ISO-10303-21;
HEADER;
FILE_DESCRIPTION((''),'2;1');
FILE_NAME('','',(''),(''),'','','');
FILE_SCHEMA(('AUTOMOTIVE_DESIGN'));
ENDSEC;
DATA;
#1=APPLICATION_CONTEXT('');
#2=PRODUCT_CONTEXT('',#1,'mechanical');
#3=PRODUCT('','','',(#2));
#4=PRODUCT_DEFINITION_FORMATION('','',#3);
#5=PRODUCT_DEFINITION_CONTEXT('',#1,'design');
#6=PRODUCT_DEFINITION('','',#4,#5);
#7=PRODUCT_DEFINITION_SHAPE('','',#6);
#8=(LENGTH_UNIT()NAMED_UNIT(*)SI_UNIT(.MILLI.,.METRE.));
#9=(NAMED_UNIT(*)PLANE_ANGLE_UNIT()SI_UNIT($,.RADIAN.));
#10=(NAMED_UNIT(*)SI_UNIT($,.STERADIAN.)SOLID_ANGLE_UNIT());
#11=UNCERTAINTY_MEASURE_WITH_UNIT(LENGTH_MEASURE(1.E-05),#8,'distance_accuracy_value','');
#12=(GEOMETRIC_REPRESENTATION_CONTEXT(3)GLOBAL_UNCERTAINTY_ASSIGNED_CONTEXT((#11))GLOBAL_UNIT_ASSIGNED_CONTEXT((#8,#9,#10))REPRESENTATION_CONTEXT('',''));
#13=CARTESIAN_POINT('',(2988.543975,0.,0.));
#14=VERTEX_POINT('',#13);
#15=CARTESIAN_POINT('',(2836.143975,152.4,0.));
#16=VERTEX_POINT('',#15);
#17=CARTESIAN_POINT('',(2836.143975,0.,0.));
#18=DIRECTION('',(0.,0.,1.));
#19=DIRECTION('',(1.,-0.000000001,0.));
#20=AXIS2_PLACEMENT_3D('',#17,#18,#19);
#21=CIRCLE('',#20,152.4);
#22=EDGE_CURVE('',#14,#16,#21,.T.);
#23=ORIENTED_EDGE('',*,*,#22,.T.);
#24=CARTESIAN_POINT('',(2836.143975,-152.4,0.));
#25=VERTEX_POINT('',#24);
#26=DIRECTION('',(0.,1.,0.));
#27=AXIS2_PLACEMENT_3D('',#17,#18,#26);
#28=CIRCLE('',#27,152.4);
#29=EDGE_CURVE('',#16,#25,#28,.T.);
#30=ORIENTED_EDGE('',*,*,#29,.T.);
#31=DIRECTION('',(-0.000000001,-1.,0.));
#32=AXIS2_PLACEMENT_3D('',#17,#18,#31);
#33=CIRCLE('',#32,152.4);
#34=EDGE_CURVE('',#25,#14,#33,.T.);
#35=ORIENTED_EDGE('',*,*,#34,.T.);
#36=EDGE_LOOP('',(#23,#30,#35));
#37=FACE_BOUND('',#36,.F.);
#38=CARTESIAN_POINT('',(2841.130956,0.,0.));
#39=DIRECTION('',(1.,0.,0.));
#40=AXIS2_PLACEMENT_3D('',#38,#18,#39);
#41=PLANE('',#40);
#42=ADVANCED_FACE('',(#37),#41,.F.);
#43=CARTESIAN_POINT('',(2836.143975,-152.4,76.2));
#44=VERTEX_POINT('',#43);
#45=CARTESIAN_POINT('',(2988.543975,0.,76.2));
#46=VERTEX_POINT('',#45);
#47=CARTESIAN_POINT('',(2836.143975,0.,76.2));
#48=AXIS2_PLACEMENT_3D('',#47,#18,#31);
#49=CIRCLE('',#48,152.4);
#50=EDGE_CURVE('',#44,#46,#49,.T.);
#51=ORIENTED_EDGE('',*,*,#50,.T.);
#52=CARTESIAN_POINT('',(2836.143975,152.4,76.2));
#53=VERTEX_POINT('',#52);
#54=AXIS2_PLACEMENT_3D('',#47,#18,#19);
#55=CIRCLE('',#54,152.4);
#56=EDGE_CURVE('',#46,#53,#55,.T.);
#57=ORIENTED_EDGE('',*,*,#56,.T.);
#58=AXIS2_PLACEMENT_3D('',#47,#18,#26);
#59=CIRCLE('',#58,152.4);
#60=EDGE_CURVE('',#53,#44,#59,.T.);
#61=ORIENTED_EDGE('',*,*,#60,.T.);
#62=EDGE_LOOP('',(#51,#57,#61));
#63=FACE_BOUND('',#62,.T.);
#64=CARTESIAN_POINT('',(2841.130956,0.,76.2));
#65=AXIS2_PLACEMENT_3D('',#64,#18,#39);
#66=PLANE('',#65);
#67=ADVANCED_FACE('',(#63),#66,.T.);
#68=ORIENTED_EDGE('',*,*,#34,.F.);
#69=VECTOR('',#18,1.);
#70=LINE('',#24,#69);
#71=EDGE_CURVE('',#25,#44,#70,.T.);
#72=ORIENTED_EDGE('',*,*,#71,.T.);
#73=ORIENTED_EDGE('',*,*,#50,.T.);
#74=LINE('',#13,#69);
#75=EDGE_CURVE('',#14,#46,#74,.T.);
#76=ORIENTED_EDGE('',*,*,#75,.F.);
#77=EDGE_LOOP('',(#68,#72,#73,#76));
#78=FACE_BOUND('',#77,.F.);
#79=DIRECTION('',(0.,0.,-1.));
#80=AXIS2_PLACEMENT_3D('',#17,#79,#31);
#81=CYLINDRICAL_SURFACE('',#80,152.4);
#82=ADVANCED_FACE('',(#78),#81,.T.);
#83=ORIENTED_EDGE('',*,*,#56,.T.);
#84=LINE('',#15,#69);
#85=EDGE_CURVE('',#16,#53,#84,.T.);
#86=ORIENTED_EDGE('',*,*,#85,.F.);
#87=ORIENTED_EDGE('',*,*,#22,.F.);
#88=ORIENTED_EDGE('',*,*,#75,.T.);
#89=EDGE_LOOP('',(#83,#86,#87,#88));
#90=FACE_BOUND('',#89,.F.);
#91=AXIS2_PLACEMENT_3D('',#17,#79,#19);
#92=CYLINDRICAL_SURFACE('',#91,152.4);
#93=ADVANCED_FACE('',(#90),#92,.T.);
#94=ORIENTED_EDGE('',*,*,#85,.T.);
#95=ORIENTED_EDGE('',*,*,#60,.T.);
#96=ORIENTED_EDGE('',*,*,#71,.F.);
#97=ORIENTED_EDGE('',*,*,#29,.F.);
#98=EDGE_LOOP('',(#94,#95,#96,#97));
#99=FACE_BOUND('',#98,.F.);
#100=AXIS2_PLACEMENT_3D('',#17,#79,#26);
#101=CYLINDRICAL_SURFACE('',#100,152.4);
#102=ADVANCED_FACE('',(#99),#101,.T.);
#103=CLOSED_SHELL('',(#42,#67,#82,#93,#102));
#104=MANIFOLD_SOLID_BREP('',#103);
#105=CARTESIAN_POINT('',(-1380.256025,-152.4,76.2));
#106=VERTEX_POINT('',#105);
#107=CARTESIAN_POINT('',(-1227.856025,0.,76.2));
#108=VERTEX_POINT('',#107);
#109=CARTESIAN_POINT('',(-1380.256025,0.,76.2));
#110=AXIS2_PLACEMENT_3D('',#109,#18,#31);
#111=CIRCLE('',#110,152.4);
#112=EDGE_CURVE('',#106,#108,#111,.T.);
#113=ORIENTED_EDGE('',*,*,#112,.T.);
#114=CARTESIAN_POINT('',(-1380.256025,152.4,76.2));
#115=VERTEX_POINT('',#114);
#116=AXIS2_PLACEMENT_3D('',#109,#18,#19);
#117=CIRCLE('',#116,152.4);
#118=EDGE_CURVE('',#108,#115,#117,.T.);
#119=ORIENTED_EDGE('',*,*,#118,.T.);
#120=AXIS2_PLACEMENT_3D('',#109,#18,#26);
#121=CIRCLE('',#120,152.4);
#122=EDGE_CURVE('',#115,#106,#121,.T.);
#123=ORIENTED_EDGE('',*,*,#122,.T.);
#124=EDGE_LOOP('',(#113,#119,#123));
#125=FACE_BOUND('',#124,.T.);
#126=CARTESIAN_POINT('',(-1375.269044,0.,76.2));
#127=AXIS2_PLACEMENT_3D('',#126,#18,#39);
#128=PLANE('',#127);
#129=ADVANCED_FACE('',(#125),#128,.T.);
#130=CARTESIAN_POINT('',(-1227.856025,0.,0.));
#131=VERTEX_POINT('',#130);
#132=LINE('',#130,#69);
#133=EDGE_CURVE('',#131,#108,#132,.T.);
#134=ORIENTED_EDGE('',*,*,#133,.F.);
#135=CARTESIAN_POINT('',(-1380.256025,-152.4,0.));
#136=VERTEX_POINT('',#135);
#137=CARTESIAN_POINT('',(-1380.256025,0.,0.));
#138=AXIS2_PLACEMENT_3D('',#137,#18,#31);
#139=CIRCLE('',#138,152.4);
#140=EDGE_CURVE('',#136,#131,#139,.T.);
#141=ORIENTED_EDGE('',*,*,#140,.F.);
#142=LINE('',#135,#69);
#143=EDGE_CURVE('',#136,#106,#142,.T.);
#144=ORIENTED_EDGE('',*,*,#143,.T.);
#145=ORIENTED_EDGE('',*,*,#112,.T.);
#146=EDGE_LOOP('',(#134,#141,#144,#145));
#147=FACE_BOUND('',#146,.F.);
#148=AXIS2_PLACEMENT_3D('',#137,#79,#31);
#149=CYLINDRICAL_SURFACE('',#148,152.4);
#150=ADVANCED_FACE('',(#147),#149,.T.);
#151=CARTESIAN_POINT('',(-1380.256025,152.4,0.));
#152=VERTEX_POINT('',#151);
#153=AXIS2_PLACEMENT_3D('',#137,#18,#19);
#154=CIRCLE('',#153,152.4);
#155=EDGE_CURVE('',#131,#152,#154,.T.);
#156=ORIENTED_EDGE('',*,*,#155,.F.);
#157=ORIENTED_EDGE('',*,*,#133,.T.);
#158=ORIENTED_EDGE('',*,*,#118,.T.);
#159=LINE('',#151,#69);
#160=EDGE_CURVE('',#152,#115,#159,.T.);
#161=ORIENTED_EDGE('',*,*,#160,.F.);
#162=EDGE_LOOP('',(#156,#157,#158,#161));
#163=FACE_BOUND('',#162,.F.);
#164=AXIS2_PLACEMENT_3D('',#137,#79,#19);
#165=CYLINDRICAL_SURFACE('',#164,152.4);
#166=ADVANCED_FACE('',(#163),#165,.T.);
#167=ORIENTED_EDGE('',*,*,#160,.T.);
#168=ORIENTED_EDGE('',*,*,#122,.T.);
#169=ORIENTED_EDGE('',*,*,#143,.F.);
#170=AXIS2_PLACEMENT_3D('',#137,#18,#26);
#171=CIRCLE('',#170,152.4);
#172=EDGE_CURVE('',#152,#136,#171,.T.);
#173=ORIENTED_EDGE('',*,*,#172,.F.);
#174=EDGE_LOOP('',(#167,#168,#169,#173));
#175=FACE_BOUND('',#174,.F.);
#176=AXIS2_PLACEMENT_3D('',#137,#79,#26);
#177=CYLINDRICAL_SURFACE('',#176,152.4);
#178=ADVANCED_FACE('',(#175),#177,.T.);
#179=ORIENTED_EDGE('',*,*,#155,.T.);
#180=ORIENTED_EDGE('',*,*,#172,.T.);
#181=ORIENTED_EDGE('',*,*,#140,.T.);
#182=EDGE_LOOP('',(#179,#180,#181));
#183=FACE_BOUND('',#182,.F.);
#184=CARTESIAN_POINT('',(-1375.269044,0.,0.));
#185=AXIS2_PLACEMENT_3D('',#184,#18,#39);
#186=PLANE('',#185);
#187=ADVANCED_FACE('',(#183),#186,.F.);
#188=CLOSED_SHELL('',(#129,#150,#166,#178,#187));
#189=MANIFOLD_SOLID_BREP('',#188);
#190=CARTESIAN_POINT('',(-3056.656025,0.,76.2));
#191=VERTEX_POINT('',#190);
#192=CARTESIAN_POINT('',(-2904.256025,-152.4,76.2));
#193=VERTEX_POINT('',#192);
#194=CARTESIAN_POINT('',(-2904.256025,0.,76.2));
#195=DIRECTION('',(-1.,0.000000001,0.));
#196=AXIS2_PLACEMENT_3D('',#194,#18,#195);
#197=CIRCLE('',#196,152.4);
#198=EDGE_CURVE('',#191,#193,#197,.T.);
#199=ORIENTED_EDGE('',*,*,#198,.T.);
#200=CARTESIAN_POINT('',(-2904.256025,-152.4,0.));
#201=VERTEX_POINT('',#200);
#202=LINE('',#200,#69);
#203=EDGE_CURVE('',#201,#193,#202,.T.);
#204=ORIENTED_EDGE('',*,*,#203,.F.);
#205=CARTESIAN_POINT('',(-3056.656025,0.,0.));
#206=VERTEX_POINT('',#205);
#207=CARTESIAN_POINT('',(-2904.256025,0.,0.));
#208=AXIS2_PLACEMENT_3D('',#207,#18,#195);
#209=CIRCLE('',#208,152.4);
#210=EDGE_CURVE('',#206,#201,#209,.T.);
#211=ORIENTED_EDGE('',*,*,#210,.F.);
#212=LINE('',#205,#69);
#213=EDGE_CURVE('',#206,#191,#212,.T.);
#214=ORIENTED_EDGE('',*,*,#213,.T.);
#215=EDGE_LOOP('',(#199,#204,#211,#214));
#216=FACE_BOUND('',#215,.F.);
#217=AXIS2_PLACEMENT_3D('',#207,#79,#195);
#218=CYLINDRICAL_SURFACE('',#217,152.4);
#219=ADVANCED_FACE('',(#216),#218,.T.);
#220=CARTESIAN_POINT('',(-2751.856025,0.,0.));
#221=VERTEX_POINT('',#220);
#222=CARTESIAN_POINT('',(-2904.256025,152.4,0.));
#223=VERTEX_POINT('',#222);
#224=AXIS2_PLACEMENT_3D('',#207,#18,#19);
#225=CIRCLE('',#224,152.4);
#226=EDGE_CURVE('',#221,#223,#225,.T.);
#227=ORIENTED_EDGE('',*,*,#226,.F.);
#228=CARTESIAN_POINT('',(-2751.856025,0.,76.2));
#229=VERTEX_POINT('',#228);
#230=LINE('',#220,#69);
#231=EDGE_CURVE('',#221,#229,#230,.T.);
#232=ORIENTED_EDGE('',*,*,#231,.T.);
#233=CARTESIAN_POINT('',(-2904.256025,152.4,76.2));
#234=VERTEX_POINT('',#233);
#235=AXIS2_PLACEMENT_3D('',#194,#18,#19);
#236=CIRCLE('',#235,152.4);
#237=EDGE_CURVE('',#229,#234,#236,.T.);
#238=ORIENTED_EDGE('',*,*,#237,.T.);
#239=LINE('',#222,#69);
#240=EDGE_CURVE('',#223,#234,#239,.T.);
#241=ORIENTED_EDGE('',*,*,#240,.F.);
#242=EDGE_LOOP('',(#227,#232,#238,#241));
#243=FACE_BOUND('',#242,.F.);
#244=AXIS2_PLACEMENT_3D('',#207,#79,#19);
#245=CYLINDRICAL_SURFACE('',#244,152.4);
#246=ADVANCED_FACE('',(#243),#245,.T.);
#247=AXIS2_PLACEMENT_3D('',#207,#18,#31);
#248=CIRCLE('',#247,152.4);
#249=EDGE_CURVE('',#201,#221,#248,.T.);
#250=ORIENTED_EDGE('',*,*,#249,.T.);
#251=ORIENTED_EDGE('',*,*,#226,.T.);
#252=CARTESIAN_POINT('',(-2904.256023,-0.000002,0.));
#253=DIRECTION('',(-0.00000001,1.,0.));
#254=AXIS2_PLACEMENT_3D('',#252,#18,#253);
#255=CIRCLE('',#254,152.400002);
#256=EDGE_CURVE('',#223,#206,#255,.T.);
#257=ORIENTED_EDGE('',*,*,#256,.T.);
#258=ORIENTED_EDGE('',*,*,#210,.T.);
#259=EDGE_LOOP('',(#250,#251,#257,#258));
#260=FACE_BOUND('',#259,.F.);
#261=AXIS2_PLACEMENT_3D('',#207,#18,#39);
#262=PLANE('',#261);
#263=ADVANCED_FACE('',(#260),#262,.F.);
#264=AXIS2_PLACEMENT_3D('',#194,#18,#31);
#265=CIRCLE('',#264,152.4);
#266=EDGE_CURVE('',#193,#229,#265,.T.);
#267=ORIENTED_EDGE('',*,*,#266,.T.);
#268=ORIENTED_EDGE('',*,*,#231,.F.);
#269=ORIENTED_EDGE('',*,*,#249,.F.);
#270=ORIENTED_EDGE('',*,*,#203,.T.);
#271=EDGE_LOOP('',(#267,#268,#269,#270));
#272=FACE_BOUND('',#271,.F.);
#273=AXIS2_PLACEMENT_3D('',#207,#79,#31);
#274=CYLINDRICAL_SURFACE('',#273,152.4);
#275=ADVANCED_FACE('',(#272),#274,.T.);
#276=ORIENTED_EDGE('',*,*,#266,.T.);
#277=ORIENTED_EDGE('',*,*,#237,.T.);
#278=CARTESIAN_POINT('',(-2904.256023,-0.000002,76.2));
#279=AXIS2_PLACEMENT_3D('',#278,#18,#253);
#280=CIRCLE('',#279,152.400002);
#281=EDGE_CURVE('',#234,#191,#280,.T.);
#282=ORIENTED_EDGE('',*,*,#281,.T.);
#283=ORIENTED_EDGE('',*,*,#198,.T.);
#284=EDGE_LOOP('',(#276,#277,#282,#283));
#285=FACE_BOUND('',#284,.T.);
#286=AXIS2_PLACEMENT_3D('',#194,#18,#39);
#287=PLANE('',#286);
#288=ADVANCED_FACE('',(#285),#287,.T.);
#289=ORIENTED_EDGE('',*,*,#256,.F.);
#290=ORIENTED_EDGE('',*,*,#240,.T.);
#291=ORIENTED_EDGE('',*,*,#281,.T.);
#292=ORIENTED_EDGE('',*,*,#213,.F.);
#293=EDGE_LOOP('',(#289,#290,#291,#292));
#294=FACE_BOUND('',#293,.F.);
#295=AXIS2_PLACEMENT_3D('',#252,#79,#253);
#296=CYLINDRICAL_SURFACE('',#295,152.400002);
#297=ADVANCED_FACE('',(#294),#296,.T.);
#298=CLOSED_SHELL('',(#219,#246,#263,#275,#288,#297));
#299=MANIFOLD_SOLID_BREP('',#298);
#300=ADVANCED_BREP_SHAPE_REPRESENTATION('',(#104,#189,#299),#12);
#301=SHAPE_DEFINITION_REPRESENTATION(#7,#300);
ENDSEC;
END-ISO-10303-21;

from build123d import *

# Parameters (mm, degrees)
F1_DEPTH = 76.2


with BuildPart() as f1:
    # F0 (on Top) → F1 (new body)
    with BuildSketch(Plane.XY):
        with BuildLine():
            ThreePointArc((-2751.856025, 0), (-2796.492951, 107.763073), (-2904.256025, 152.4))
            ThreePointArc((-2904.256025, 152.4), (-3012.019098, 107.763073), (-3056.656025, 0))
            ThreePointArc((-3056.656025, 0), (-3012.019098, -107.763074), (-2904.256025, -152.4))
            ThreePointArc((-2904.256025, -152.4), (-2796.492951, -107.763073), (-2751.856025, 0))
        make_face()
        with BuildLine():
            ThreePointArc((-1227.856025, 0), (-1272.492951, 107.763073), (-1380.256025, 152.4))
            ThreePointArc((-1380.256025, 152.4), (-1532.656025, 0), (-1380.256025, -152.4))
            ThreePointArc((-1380.256025, -152.4), (-1272.492951, -107.763073), (-1227.856025, 0))
        make_face()
        with BuildLine():
            ThreePointArc((2988.543975, 0), (2943.907049, 107.763073), (2836.143975, 152.4))
            ThreePointArc((2836.143975, 152.4), (2683.743975, 0), (2836.143975, -152.4))
            ThreePointArc((2836.143975, -152.4), (2943.907049, -107.763073), (2988.543975, 0))
        make_face()
    extrude(amount=F1_DEPTH)


solid = f1.part
